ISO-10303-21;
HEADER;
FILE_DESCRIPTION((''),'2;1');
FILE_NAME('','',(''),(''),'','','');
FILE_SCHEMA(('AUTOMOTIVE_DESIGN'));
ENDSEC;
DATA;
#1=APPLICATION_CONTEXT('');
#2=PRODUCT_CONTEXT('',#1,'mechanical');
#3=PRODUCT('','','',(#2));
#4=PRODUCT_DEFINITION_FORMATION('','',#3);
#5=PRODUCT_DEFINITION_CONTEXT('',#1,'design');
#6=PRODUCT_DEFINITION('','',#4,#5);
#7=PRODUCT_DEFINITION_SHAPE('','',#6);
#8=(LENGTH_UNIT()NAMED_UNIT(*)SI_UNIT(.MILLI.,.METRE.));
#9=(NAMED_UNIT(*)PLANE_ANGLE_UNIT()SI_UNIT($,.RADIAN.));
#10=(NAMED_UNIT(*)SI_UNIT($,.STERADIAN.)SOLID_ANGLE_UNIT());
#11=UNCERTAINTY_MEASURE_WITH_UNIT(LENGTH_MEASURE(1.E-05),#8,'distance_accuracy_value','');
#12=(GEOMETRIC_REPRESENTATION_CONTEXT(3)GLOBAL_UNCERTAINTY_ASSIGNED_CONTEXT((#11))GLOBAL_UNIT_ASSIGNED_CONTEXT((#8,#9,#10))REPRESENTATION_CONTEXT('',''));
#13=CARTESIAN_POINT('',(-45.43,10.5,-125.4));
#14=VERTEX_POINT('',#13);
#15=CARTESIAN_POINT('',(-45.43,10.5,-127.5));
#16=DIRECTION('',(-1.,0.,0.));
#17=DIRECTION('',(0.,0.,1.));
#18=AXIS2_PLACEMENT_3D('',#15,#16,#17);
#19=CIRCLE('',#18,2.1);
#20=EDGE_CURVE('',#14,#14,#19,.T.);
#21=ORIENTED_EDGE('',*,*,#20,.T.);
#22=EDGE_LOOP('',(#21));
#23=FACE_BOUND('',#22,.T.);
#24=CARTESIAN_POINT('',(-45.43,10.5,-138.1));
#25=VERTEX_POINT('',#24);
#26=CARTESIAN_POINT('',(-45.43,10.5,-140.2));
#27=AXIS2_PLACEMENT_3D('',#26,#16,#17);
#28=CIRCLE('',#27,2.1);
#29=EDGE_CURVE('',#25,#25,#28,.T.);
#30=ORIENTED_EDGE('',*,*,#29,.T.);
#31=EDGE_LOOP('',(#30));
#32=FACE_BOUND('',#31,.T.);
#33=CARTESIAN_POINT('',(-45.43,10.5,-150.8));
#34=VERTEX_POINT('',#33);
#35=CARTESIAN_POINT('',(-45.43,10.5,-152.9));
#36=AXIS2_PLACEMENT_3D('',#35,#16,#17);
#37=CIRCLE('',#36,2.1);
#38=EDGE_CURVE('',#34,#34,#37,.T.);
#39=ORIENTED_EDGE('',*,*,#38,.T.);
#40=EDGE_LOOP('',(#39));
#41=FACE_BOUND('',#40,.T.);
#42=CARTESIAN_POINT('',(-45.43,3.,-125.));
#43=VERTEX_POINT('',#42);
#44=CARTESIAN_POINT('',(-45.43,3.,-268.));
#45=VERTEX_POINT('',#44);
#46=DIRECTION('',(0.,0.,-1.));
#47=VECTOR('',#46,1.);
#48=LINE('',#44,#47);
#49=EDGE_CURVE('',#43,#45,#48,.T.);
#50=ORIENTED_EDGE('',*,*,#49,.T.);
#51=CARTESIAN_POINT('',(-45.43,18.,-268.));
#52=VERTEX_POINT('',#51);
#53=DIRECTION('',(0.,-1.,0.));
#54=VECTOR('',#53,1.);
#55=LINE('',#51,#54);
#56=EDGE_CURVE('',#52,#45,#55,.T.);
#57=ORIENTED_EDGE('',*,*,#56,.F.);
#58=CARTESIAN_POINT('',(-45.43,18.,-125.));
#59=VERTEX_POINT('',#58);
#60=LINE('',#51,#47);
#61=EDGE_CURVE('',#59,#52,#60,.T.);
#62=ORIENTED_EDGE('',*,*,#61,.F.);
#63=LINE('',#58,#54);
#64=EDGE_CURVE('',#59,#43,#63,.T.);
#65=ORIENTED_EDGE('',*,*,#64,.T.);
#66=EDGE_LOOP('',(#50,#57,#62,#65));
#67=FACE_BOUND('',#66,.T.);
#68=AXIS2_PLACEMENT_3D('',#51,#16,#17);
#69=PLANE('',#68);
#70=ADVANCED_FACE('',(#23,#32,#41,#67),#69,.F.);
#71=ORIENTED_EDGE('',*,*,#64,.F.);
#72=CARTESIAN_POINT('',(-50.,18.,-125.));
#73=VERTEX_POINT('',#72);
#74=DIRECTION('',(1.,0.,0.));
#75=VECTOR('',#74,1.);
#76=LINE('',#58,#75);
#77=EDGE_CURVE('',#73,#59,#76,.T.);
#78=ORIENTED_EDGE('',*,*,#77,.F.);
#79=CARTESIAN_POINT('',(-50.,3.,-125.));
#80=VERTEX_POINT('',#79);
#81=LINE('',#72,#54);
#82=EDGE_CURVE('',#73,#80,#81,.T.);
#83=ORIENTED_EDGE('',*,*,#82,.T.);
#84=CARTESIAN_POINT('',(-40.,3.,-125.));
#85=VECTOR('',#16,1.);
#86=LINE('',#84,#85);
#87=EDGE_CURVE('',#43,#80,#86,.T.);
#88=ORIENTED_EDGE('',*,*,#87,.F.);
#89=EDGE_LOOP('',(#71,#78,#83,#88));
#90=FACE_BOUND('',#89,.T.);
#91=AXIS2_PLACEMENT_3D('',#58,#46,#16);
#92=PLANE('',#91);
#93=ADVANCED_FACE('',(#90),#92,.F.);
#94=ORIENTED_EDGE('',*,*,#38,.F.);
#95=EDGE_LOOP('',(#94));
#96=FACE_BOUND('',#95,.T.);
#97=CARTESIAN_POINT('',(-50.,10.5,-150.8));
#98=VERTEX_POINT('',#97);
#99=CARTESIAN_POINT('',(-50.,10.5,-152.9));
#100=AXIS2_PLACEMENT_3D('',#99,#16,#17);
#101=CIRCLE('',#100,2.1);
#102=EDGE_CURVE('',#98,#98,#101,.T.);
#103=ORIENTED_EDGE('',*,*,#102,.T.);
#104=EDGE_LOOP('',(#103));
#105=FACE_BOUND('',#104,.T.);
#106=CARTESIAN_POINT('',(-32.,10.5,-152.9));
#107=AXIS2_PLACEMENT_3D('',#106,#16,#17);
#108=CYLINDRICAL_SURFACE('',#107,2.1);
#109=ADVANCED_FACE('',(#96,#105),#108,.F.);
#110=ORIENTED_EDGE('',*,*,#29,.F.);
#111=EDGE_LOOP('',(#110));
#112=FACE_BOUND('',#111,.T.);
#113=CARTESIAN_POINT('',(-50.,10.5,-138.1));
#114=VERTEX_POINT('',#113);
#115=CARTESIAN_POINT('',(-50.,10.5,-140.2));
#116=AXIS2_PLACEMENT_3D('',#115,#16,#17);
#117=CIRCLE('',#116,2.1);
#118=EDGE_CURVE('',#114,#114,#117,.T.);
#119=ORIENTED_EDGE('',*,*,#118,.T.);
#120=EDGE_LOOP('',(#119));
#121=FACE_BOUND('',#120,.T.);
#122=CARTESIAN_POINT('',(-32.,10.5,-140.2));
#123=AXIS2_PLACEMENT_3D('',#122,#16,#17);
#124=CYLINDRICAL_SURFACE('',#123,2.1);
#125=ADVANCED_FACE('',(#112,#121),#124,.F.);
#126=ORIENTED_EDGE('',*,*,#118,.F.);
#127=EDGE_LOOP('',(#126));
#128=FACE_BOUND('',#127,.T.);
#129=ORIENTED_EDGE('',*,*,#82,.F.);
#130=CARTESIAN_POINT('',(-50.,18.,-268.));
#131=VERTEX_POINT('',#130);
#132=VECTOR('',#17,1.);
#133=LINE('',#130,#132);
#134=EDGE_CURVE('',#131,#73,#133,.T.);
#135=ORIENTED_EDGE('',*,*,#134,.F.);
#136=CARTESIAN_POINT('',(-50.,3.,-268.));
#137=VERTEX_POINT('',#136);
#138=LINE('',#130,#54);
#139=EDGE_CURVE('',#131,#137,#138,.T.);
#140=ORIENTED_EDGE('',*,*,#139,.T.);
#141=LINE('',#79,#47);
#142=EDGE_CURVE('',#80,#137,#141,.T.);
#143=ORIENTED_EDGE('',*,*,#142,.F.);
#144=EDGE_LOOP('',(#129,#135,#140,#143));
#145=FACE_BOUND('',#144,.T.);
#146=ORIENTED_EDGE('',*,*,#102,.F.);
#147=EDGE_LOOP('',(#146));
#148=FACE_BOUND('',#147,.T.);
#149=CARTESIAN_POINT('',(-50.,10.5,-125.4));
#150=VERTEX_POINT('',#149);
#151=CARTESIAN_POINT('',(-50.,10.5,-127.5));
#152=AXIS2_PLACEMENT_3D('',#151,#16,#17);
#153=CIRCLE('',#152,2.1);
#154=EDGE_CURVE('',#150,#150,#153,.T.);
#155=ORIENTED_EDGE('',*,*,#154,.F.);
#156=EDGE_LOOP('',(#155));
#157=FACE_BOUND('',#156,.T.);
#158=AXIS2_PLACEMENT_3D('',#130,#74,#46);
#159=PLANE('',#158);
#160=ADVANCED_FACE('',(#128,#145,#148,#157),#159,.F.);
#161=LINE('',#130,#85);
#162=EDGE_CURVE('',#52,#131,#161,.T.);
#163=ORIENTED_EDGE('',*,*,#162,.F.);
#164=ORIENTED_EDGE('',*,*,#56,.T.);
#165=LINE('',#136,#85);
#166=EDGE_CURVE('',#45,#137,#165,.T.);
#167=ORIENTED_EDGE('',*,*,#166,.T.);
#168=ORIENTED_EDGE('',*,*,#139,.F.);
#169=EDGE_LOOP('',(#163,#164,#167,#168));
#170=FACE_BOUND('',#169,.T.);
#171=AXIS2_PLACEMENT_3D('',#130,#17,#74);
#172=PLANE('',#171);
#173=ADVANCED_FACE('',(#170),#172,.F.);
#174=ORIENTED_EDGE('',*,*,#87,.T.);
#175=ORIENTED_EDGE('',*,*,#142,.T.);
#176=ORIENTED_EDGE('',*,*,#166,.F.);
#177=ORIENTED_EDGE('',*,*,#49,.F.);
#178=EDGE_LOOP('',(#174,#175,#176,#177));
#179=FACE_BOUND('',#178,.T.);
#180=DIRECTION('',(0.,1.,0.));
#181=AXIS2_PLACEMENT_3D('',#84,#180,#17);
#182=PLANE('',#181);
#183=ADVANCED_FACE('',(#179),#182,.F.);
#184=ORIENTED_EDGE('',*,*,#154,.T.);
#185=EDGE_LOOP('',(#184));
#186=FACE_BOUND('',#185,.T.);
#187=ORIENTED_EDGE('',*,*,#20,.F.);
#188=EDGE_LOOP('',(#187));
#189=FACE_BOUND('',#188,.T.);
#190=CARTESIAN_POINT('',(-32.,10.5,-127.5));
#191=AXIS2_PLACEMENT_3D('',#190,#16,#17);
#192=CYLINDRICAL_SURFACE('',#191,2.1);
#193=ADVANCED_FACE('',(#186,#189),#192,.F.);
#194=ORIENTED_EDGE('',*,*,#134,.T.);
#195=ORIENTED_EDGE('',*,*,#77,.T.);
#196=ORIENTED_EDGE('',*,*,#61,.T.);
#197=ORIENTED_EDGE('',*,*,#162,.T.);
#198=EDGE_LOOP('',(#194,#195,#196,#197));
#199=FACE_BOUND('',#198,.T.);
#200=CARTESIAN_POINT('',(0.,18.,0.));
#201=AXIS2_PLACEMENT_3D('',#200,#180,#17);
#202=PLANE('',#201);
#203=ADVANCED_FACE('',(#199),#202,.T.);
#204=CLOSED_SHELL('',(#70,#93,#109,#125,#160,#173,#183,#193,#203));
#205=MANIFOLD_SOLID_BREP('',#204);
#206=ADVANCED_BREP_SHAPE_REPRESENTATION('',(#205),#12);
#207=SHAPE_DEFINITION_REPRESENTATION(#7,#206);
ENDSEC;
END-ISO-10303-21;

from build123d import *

# Parameters (mm, degrees)
SKETCH1_W           = 4.57
SKETCH1_H           = 143
BOSS_EXTRUDE1_DEPTH = 18
SKETCH2_R           = 2.1
CUT_EXTRUDE1_DEPTH  = 18
SKETCH3_W           = 145
SKETCH3_H           = 3
CUT_EXTRUDE2_DEPTH  = 10


with BuildPart() as part:
    # Sketch1 → Boss-Extrude1 (new body)
    with BuildSketch(Plane(origin=(0, 0, 0), x_dir=(1, 0, 0), z_dir=(0, 1, 0))):
        with Locations((-47.715, 196.5)):
            Rectangle(SKETCH1_W, SKETCH1_H)
    extrude(amount=BOSS_EXTRUDE1_DEPTH)

    # Sketch2 → Cut-Extrude1 (cut)
    with BuildSketch(Plane.ZY.offset(50)):
        with Locations((-127.5, 10.5)):
            Circle(SKETCH2_R)
        with Locations((-140.2, 10.5)):
            Circle(SKETCH2_R)
        with Locations((-152.9, 10.5)):
            Circle(SKETCH2_R)
    extrude(amount=-CUT_EXTRUDE1_DEPTH, mode=Mode.SUBTRACT)

    # Sketch3 → Cut-Extrude2 (cut)
    with BuildSketch(Plane.ZY.offset(50)):
        with Locations((-197.5, 1.5)):
            Rectangle(SKETCH3_W, SKETCH3_H)
    extrude(amount=-CUT_EXTRUDE2_DEPTH, mode=Mode.SUBTRACT)


solid = part.part
